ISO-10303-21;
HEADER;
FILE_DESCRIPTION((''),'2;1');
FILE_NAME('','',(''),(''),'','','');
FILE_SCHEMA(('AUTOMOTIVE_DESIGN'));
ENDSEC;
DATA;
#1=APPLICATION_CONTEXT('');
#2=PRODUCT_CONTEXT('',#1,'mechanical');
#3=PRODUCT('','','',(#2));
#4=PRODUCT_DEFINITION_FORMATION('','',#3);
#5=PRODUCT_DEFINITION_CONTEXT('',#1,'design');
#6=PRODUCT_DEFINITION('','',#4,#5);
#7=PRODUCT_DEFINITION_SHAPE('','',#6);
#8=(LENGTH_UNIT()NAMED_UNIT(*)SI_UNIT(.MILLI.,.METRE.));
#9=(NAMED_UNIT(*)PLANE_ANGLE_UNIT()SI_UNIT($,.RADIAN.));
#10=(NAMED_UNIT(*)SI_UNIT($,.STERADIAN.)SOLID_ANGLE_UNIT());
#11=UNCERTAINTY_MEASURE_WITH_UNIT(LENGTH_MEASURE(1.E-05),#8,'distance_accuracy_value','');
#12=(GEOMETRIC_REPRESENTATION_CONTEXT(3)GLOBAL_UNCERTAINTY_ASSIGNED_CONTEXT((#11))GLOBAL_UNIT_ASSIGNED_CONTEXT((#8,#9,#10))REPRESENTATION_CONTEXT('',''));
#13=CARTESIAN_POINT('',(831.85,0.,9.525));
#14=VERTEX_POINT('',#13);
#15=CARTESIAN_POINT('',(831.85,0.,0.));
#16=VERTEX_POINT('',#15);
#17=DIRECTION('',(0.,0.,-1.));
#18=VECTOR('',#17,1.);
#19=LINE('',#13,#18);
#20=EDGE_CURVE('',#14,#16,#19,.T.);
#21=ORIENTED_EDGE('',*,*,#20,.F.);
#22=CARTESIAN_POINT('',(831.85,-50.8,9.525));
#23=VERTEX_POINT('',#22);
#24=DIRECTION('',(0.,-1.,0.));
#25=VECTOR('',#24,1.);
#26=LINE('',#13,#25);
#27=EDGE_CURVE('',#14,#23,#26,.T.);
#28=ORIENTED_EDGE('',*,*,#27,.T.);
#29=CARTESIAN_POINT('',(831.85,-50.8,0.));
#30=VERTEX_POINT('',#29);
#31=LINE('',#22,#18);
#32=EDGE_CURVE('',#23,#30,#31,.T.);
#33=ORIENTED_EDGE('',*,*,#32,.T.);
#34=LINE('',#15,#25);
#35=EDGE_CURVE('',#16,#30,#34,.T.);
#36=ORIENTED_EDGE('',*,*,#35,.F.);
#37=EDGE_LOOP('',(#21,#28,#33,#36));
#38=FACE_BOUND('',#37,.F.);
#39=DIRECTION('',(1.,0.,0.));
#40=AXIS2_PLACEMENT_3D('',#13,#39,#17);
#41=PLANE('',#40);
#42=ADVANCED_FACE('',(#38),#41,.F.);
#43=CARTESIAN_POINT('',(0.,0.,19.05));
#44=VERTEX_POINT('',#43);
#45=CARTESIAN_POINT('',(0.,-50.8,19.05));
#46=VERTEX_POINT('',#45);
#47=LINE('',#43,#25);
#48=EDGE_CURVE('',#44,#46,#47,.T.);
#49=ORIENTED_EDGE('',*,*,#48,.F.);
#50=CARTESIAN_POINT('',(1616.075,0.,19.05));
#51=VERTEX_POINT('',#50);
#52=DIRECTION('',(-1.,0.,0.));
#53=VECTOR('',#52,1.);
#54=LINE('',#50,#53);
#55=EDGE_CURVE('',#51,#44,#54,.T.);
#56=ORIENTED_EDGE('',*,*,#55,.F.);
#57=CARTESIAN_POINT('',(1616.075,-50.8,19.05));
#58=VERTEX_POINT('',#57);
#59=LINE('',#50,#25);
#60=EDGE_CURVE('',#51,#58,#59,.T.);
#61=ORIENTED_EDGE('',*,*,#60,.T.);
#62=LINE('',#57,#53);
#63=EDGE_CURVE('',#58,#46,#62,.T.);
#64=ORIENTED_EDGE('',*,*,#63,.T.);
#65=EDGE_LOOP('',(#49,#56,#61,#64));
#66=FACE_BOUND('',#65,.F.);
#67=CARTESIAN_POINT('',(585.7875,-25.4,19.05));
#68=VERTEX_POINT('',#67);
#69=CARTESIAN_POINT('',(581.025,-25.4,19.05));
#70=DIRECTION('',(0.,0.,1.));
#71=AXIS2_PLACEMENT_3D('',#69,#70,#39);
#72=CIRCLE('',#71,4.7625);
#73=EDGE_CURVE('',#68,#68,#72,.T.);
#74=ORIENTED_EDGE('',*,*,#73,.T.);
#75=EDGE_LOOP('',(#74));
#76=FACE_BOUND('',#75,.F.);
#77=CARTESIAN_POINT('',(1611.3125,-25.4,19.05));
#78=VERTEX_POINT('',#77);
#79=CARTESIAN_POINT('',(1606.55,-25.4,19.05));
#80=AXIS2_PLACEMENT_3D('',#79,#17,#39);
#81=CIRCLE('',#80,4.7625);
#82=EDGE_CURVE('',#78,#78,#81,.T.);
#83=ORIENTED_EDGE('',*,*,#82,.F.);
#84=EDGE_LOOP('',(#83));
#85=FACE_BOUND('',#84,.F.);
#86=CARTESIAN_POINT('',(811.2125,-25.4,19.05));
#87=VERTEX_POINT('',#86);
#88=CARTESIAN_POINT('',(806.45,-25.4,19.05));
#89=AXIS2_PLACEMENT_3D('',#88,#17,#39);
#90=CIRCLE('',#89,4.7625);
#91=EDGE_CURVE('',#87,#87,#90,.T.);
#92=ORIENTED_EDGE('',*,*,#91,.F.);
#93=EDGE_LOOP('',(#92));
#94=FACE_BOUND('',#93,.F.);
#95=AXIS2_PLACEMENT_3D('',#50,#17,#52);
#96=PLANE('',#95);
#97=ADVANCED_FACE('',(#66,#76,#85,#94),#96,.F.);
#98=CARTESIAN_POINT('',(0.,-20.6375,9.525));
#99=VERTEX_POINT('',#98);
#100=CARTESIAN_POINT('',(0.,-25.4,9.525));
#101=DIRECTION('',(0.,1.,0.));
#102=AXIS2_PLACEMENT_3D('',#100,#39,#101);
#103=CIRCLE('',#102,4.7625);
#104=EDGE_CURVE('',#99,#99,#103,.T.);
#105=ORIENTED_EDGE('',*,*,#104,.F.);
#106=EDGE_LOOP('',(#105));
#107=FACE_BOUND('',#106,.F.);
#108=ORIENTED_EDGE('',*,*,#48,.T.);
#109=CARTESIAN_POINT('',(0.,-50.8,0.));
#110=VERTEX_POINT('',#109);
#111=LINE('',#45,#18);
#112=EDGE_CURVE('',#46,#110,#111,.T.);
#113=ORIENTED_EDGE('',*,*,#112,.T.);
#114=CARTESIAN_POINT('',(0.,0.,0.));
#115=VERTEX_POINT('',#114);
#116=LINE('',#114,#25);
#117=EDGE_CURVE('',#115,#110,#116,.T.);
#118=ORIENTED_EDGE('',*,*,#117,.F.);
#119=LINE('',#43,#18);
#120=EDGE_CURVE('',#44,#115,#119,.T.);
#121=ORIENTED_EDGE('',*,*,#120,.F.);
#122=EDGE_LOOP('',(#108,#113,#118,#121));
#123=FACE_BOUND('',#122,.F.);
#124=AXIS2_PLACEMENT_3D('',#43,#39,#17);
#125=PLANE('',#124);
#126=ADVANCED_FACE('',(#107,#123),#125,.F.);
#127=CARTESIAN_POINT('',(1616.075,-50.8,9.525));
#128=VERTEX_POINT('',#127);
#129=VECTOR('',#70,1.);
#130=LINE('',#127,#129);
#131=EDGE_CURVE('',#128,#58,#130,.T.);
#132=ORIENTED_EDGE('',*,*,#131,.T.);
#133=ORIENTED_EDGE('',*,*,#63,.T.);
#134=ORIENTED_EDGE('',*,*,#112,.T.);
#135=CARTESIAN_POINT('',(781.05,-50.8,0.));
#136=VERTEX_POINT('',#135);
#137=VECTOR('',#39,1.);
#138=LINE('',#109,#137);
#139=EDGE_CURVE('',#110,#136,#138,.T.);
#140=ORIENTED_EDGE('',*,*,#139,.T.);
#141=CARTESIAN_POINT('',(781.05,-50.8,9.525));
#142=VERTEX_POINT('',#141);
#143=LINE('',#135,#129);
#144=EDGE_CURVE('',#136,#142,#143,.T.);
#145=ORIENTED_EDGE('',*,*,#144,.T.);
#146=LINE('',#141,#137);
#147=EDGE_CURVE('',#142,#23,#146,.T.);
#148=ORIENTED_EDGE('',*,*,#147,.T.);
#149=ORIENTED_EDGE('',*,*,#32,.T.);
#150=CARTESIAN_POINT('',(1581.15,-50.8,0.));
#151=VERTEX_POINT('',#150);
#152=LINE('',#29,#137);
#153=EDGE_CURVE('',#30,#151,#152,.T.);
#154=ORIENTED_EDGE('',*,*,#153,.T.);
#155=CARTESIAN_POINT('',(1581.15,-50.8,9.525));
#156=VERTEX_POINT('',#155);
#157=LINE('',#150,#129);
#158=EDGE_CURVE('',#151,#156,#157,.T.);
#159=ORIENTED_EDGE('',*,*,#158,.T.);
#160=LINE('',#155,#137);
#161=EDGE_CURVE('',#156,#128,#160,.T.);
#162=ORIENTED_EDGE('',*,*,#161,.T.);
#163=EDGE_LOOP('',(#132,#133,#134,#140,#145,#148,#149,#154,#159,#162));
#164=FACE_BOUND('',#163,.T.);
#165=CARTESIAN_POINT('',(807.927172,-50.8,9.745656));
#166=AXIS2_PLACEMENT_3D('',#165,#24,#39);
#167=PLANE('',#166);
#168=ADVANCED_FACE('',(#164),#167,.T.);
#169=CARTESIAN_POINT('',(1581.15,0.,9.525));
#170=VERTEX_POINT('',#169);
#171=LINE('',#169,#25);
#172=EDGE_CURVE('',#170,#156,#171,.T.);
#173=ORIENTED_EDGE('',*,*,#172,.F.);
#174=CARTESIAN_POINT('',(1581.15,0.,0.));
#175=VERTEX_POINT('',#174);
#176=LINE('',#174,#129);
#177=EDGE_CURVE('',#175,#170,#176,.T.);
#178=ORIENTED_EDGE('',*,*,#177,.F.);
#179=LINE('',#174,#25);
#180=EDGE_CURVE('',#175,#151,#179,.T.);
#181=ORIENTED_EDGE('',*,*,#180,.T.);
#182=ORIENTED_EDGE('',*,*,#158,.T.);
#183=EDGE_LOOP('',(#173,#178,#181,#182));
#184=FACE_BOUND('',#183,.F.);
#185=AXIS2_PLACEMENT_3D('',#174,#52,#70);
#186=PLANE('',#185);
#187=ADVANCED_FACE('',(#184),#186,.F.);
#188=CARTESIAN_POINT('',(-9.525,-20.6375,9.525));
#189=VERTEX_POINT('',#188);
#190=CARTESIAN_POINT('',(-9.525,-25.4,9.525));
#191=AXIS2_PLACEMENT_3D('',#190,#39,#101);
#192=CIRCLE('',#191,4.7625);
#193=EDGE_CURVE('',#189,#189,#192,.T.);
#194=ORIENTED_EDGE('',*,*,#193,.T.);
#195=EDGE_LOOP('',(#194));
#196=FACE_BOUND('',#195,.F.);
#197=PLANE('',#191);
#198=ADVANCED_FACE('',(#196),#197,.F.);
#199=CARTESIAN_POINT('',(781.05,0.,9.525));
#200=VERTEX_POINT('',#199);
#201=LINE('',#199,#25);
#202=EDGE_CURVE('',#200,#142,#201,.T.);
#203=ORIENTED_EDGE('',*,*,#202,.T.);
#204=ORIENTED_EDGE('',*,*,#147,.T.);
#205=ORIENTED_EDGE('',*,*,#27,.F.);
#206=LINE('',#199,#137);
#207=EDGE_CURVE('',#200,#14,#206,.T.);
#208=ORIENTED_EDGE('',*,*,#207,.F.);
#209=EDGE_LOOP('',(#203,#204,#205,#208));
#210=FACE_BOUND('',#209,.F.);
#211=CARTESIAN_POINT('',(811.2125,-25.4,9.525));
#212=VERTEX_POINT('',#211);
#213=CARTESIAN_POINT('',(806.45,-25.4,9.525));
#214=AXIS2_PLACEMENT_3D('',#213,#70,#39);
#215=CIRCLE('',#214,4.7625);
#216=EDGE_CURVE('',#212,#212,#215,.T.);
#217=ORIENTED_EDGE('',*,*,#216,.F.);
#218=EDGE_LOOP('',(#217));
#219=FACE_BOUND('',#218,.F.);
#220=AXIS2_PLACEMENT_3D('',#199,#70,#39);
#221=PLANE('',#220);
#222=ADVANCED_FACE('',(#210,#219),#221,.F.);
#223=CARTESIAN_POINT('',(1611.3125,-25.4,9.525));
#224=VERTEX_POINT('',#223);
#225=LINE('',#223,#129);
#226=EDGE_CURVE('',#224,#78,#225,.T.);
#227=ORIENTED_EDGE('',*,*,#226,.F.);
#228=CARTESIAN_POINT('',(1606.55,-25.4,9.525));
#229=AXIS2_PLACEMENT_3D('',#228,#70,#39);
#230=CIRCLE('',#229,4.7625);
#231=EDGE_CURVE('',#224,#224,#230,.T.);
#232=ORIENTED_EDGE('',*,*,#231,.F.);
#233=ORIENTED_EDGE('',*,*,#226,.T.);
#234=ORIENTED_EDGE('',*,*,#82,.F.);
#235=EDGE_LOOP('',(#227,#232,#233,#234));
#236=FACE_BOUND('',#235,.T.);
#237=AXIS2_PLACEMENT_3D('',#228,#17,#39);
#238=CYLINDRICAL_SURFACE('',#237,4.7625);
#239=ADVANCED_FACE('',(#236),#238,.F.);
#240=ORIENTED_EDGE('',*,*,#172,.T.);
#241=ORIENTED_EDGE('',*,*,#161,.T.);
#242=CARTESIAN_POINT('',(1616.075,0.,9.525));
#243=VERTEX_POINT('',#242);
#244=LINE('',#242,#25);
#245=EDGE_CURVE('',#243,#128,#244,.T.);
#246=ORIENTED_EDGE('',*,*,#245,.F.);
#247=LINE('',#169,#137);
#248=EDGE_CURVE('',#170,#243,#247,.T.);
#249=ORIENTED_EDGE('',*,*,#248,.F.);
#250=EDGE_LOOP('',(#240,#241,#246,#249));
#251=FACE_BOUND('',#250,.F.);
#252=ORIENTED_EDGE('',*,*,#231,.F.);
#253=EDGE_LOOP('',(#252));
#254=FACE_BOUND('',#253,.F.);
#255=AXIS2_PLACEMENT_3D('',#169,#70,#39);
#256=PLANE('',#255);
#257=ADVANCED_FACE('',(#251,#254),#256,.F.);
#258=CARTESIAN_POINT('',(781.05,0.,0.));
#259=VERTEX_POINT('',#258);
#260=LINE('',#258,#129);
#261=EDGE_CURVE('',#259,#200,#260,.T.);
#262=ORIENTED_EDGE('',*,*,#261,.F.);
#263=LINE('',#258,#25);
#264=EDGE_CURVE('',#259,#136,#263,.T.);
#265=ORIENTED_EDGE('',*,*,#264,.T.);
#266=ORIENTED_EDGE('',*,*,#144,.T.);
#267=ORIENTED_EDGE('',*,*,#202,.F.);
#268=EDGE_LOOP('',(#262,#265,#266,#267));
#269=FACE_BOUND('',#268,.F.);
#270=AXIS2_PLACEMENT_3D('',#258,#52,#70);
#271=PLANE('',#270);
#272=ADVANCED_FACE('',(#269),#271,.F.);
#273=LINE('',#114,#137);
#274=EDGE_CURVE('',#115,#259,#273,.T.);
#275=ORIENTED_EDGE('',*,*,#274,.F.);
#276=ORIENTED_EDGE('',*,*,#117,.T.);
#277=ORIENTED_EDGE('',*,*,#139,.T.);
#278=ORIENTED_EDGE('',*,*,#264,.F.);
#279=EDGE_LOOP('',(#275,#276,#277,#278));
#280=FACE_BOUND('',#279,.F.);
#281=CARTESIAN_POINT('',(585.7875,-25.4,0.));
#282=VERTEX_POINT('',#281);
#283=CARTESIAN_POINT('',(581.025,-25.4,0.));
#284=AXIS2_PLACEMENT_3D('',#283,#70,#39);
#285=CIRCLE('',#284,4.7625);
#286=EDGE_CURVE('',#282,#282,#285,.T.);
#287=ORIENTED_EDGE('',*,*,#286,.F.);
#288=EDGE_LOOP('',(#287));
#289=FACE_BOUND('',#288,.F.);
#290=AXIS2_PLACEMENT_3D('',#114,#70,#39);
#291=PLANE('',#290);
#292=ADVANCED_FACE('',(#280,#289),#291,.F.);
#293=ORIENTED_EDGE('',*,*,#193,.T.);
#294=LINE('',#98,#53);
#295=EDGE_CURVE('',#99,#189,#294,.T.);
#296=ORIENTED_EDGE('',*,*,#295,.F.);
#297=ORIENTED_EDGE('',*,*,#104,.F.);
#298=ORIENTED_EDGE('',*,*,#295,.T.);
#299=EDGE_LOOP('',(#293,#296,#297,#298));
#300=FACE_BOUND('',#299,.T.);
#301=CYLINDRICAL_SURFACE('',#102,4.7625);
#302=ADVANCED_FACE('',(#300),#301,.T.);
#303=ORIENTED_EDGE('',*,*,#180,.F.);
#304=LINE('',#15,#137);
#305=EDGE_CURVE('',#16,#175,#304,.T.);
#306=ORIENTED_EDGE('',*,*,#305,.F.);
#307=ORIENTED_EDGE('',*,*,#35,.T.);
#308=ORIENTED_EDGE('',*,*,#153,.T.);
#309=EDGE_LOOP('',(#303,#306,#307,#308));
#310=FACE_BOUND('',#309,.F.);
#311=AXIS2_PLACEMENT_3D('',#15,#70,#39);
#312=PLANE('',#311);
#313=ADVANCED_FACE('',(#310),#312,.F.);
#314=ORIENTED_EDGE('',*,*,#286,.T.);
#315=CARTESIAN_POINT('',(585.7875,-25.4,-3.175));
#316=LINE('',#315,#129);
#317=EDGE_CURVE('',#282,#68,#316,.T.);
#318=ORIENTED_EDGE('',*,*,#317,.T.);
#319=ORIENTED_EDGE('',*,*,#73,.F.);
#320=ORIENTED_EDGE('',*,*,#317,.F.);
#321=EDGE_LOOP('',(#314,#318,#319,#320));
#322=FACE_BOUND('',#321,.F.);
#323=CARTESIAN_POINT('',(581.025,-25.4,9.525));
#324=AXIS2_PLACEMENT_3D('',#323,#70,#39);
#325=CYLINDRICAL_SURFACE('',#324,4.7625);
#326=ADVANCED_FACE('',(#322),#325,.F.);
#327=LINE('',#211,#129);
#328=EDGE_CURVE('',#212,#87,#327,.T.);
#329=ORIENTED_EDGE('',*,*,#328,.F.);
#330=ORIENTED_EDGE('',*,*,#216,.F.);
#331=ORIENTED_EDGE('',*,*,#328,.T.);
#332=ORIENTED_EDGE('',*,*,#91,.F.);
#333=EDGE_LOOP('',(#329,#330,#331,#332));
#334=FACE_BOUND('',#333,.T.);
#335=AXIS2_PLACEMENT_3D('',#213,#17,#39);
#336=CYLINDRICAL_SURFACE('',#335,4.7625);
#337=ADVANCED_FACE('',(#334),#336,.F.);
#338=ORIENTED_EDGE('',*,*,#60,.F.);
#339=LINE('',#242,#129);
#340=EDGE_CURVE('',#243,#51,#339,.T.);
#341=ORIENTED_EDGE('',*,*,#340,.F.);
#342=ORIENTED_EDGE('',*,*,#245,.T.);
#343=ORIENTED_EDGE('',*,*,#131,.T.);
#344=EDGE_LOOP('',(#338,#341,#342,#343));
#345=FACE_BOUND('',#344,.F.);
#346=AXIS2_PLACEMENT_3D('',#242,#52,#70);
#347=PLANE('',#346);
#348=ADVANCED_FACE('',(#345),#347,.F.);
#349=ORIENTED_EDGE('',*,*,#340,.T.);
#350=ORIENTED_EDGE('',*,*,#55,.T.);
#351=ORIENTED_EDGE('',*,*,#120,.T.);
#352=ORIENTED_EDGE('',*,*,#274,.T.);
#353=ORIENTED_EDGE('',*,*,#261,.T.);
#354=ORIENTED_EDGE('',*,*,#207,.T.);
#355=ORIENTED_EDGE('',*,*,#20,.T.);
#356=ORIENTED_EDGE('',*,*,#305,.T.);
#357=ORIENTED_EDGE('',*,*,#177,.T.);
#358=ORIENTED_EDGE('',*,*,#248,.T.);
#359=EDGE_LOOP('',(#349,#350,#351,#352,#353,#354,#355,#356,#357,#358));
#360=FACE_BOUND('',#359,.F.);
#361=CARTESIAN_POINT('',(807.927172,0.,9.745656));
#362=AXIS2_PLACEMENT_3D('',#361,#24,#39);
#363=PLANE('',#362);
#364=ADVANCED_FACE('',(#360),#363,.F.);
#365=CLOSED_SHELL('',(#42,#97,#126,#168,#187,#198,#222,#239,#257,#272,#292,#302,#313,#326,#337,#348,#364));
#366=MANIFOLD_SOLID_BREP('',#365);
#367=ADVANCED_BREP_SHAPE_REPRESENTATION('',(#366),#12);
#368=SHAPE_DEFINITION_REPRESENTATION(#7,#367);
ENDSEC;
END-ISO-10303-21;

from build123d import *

# Parameters (mm, degrees)
F1_DEPTH = 50.8
F3_R     = 4.7625
F4_DEPTH = 12.7
F5_R     = 4.7625
F6_DEPTH = 9.525


with BuildPart() as f1:
    # F0 (on Front) → F1 (new body)
    with BuildSketch(Plane.XZ):
        Polygon((1616.075, 9.525), (1616.075, 19.05), (0, 19.05), (0, 0), (781.05, 0), (781.05, 9.525), (831.85, 9.525), (831.85, 0), (1581.15, 0), (1581.15, 9.525), align=None)
    extrude(amount=F1_DEPTH)

    # F3 (on offset) → F4 (cut, symmetric)
    with BuildSketch(Plane.XY.offset(9.525)):
        with Locations((806.45, -25.4)):
            Circle(F3_R)
        with Locations((1606.55, -25.4)):
            Circle(F3_R)
        with Locations((581.025, -25.4)):
            Circle(F3_R)
    extrude(amount=F4_DEPTH, both=True, mode=Mode.SUBTRACT)

    # F5 (on Right) → F6 (join)
    with BuildSketch(Plane.YZ):
        with Locations((-25.4, 9.525)):
            Circle(F5_R)
    extrude(amount=-F6_DEPTH)


solid = f1.part
